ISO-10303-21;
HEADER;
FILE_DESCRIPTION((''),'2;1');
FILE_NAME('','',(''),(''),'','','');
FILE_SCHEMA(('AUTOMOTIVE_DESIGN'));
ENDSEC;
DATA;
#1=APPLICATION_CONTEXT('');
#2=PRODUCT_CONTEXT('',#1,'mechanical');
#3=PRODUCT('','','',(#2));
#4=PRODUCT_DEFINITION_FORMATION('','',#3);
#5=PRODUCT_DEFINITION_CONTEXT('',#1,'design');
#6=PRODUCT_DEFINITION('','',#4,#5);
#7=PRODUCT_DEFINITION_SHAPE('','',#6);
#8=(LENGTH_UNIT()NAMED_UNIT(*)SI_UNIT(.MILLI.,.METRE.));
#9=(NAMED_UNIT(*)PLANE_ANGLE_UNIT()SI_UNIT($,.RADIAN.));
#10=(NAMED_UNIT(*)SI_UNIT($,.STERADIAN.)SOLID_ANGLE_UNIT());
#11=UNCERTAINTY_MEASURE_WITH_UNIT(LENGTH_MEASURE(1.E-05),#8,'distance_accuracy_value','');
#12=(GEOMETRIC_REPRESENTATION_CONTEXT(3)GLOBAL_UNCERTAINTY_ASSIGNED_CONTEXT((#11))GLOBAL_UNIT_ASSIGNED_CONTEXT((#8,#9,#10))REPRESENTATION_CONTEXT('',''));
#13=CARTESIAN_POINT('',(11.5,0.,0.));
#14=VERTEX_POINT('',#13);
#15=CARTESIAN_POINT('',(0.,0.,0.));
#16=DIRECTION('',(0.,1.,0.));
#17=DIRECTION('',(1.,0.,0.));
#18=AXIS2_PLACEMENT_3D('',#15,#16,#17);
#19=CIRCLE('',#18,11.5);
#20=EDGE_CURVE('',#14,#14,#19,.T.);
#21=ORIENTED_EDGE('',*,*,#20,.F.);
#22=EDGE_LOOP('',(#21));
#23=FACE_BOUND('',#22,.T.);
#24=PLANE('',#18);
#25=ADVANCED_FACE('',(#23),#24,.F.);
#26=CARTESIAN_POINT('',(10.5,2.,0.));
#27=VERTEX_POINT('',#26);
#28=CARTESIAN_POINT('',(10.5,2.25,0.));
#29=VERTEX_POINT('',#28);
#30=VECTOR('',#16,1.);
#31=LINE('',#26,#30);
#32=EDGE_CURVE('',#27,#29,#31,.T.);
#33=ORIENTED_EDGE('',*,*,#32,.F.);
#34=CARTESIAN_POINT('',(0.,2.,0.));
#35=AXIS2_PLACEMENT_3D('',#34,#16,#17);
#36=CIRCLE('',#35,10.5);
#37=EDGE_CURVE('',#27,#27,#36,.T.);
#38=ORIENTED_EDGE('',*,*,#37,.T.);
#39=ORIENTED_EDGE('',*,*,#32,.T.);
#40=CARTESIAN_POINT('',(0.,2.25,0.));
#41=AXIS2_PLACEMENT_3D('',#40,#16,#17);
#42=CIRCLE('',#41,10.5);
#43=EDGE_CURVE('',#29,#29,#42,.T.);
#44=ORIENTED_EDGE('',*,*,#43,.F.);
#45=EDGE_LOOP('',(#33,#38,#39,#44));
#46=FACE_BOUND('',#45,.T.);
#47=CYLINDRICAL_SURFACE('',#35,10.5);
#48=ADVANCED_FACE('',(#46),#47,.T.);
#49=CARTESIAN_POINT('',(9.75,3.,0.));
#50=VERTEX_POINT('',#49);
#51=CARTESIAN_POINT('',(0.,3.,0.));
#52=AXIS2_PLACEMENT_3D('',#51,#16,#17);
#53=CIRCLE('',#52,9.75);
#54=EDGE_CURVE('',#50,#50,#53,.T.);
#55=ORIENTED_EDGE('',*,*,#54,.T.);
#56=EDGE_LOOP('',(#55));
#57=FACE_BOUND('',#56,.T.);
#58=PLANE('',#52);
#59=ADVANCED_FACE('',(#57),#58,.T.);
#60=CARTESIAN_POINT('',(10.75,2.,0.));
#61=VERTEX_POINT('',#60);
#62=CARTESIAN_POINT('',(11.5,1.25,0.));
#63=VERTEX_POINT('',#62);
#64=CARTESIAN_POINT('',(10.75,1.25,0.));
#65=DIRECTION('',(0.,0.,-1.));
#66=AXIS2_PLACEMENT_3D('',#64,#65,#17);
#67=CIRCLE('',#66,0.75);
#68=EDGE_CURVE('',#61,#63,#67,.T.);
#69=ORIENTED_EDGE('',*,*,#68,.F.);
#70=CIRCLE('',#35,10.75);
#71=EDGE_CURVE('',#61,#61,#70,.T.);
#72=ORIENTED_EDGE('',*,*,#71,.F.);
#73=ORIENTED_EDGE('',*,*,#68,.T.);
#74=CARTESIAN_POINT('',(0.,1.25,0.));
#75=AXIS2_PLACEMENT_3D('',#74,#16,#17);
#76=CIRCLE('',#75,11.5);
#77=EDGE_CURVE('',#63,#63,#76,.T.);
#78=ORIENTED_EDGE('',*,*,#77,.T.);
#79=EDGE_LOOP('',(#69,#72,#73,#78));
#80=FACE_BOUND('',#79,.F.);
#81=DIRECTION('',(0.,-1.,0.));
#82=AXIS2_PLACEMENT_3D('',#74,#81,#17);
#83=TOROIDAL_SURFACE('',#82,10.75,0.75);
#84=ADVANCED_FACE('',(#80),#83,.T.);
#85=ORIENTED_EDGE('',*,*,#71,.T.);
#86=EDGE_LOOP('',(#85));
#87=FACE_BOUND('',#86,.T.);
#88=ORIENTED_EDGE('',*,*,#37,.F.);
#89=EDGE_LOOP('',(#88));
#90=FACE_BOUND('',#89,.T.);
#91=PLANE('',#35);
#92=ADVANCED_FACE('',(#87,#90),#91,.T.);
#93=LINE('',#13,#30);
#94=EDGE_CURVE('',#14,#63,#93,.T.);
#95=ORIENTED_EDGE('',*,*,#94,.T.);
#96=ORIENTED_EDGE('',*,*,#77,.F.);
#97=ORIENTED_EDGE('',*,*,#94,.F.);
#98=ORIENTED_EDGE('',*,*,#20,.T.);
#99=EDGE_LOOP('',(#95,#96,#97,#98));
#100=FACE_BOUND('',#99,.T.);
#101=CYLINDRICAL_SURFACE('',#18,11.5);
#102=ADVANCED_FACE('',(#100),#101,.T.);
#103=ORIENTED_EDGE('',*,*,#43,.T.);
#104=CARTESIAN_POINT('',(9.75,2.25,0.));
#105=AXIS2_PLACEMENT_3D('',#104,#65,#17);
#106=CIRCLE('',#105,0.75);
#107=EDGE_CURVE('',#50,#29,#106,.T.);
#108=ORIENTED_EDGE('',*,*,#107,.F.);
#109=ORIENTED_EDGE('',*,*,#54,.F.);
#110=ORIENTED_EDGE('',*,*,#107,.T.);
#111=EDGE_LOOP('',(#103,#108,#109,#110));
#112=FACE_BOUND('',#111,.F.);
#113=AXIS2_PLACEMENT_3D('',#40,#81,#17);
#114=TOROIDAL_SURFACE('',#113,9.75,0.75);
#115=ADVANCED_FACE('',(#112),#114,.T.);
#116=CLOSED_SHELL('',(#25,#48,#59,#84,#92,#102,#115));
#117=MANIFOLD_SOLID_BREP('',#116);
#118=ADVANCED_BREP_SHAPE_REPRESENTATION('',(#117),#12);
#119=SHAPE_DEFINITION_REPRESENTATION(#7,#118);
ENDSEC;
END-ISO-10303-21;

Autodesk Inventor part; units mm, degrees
ref_plane "YZ Plane" through (0, 0, 0) normal (1, 0, 0) x (0, 1, 0)
ref_plane "XZ Plane" through (0, 0, 0) normal (0, 1, 0) x (-1, 0, 0)
ref_plane "XY Plane" through (0, 0, 0) normal (0, 0, 1) x (1, 0, 0)
sketch "Sketch1" plane through (0, 0, 0) normal (0, 0, 1) x (1, 0, 0)
  line L0 (0, 0) -> (0, 19.8394)
  line L1 (0, 0) -> (11.5, 0)
  line L2 (11.5, 0) -> (11.5, 2)
  line L3 (11.5, 2) -> (10.5, 2)
  line L4 (10.5, 2) -> (10.5, 3)
  line L5 (10.5, 3) -> (0, 3)
  dimension "d1" = 2
  dimension "d2" = 1
  dimension "d3" = 1
  dimension "d6" = 23
revolve "Revolution1" add sketch "Sketch1" angle 360 about axis through (0, 0, 0) along (0, 1, 0)
fillet "Fillet1" radius 0.75 2 edges at (-11.5, 2, 0) (-10.5, 3, 0)
properties part number "Chess Piece Base"
